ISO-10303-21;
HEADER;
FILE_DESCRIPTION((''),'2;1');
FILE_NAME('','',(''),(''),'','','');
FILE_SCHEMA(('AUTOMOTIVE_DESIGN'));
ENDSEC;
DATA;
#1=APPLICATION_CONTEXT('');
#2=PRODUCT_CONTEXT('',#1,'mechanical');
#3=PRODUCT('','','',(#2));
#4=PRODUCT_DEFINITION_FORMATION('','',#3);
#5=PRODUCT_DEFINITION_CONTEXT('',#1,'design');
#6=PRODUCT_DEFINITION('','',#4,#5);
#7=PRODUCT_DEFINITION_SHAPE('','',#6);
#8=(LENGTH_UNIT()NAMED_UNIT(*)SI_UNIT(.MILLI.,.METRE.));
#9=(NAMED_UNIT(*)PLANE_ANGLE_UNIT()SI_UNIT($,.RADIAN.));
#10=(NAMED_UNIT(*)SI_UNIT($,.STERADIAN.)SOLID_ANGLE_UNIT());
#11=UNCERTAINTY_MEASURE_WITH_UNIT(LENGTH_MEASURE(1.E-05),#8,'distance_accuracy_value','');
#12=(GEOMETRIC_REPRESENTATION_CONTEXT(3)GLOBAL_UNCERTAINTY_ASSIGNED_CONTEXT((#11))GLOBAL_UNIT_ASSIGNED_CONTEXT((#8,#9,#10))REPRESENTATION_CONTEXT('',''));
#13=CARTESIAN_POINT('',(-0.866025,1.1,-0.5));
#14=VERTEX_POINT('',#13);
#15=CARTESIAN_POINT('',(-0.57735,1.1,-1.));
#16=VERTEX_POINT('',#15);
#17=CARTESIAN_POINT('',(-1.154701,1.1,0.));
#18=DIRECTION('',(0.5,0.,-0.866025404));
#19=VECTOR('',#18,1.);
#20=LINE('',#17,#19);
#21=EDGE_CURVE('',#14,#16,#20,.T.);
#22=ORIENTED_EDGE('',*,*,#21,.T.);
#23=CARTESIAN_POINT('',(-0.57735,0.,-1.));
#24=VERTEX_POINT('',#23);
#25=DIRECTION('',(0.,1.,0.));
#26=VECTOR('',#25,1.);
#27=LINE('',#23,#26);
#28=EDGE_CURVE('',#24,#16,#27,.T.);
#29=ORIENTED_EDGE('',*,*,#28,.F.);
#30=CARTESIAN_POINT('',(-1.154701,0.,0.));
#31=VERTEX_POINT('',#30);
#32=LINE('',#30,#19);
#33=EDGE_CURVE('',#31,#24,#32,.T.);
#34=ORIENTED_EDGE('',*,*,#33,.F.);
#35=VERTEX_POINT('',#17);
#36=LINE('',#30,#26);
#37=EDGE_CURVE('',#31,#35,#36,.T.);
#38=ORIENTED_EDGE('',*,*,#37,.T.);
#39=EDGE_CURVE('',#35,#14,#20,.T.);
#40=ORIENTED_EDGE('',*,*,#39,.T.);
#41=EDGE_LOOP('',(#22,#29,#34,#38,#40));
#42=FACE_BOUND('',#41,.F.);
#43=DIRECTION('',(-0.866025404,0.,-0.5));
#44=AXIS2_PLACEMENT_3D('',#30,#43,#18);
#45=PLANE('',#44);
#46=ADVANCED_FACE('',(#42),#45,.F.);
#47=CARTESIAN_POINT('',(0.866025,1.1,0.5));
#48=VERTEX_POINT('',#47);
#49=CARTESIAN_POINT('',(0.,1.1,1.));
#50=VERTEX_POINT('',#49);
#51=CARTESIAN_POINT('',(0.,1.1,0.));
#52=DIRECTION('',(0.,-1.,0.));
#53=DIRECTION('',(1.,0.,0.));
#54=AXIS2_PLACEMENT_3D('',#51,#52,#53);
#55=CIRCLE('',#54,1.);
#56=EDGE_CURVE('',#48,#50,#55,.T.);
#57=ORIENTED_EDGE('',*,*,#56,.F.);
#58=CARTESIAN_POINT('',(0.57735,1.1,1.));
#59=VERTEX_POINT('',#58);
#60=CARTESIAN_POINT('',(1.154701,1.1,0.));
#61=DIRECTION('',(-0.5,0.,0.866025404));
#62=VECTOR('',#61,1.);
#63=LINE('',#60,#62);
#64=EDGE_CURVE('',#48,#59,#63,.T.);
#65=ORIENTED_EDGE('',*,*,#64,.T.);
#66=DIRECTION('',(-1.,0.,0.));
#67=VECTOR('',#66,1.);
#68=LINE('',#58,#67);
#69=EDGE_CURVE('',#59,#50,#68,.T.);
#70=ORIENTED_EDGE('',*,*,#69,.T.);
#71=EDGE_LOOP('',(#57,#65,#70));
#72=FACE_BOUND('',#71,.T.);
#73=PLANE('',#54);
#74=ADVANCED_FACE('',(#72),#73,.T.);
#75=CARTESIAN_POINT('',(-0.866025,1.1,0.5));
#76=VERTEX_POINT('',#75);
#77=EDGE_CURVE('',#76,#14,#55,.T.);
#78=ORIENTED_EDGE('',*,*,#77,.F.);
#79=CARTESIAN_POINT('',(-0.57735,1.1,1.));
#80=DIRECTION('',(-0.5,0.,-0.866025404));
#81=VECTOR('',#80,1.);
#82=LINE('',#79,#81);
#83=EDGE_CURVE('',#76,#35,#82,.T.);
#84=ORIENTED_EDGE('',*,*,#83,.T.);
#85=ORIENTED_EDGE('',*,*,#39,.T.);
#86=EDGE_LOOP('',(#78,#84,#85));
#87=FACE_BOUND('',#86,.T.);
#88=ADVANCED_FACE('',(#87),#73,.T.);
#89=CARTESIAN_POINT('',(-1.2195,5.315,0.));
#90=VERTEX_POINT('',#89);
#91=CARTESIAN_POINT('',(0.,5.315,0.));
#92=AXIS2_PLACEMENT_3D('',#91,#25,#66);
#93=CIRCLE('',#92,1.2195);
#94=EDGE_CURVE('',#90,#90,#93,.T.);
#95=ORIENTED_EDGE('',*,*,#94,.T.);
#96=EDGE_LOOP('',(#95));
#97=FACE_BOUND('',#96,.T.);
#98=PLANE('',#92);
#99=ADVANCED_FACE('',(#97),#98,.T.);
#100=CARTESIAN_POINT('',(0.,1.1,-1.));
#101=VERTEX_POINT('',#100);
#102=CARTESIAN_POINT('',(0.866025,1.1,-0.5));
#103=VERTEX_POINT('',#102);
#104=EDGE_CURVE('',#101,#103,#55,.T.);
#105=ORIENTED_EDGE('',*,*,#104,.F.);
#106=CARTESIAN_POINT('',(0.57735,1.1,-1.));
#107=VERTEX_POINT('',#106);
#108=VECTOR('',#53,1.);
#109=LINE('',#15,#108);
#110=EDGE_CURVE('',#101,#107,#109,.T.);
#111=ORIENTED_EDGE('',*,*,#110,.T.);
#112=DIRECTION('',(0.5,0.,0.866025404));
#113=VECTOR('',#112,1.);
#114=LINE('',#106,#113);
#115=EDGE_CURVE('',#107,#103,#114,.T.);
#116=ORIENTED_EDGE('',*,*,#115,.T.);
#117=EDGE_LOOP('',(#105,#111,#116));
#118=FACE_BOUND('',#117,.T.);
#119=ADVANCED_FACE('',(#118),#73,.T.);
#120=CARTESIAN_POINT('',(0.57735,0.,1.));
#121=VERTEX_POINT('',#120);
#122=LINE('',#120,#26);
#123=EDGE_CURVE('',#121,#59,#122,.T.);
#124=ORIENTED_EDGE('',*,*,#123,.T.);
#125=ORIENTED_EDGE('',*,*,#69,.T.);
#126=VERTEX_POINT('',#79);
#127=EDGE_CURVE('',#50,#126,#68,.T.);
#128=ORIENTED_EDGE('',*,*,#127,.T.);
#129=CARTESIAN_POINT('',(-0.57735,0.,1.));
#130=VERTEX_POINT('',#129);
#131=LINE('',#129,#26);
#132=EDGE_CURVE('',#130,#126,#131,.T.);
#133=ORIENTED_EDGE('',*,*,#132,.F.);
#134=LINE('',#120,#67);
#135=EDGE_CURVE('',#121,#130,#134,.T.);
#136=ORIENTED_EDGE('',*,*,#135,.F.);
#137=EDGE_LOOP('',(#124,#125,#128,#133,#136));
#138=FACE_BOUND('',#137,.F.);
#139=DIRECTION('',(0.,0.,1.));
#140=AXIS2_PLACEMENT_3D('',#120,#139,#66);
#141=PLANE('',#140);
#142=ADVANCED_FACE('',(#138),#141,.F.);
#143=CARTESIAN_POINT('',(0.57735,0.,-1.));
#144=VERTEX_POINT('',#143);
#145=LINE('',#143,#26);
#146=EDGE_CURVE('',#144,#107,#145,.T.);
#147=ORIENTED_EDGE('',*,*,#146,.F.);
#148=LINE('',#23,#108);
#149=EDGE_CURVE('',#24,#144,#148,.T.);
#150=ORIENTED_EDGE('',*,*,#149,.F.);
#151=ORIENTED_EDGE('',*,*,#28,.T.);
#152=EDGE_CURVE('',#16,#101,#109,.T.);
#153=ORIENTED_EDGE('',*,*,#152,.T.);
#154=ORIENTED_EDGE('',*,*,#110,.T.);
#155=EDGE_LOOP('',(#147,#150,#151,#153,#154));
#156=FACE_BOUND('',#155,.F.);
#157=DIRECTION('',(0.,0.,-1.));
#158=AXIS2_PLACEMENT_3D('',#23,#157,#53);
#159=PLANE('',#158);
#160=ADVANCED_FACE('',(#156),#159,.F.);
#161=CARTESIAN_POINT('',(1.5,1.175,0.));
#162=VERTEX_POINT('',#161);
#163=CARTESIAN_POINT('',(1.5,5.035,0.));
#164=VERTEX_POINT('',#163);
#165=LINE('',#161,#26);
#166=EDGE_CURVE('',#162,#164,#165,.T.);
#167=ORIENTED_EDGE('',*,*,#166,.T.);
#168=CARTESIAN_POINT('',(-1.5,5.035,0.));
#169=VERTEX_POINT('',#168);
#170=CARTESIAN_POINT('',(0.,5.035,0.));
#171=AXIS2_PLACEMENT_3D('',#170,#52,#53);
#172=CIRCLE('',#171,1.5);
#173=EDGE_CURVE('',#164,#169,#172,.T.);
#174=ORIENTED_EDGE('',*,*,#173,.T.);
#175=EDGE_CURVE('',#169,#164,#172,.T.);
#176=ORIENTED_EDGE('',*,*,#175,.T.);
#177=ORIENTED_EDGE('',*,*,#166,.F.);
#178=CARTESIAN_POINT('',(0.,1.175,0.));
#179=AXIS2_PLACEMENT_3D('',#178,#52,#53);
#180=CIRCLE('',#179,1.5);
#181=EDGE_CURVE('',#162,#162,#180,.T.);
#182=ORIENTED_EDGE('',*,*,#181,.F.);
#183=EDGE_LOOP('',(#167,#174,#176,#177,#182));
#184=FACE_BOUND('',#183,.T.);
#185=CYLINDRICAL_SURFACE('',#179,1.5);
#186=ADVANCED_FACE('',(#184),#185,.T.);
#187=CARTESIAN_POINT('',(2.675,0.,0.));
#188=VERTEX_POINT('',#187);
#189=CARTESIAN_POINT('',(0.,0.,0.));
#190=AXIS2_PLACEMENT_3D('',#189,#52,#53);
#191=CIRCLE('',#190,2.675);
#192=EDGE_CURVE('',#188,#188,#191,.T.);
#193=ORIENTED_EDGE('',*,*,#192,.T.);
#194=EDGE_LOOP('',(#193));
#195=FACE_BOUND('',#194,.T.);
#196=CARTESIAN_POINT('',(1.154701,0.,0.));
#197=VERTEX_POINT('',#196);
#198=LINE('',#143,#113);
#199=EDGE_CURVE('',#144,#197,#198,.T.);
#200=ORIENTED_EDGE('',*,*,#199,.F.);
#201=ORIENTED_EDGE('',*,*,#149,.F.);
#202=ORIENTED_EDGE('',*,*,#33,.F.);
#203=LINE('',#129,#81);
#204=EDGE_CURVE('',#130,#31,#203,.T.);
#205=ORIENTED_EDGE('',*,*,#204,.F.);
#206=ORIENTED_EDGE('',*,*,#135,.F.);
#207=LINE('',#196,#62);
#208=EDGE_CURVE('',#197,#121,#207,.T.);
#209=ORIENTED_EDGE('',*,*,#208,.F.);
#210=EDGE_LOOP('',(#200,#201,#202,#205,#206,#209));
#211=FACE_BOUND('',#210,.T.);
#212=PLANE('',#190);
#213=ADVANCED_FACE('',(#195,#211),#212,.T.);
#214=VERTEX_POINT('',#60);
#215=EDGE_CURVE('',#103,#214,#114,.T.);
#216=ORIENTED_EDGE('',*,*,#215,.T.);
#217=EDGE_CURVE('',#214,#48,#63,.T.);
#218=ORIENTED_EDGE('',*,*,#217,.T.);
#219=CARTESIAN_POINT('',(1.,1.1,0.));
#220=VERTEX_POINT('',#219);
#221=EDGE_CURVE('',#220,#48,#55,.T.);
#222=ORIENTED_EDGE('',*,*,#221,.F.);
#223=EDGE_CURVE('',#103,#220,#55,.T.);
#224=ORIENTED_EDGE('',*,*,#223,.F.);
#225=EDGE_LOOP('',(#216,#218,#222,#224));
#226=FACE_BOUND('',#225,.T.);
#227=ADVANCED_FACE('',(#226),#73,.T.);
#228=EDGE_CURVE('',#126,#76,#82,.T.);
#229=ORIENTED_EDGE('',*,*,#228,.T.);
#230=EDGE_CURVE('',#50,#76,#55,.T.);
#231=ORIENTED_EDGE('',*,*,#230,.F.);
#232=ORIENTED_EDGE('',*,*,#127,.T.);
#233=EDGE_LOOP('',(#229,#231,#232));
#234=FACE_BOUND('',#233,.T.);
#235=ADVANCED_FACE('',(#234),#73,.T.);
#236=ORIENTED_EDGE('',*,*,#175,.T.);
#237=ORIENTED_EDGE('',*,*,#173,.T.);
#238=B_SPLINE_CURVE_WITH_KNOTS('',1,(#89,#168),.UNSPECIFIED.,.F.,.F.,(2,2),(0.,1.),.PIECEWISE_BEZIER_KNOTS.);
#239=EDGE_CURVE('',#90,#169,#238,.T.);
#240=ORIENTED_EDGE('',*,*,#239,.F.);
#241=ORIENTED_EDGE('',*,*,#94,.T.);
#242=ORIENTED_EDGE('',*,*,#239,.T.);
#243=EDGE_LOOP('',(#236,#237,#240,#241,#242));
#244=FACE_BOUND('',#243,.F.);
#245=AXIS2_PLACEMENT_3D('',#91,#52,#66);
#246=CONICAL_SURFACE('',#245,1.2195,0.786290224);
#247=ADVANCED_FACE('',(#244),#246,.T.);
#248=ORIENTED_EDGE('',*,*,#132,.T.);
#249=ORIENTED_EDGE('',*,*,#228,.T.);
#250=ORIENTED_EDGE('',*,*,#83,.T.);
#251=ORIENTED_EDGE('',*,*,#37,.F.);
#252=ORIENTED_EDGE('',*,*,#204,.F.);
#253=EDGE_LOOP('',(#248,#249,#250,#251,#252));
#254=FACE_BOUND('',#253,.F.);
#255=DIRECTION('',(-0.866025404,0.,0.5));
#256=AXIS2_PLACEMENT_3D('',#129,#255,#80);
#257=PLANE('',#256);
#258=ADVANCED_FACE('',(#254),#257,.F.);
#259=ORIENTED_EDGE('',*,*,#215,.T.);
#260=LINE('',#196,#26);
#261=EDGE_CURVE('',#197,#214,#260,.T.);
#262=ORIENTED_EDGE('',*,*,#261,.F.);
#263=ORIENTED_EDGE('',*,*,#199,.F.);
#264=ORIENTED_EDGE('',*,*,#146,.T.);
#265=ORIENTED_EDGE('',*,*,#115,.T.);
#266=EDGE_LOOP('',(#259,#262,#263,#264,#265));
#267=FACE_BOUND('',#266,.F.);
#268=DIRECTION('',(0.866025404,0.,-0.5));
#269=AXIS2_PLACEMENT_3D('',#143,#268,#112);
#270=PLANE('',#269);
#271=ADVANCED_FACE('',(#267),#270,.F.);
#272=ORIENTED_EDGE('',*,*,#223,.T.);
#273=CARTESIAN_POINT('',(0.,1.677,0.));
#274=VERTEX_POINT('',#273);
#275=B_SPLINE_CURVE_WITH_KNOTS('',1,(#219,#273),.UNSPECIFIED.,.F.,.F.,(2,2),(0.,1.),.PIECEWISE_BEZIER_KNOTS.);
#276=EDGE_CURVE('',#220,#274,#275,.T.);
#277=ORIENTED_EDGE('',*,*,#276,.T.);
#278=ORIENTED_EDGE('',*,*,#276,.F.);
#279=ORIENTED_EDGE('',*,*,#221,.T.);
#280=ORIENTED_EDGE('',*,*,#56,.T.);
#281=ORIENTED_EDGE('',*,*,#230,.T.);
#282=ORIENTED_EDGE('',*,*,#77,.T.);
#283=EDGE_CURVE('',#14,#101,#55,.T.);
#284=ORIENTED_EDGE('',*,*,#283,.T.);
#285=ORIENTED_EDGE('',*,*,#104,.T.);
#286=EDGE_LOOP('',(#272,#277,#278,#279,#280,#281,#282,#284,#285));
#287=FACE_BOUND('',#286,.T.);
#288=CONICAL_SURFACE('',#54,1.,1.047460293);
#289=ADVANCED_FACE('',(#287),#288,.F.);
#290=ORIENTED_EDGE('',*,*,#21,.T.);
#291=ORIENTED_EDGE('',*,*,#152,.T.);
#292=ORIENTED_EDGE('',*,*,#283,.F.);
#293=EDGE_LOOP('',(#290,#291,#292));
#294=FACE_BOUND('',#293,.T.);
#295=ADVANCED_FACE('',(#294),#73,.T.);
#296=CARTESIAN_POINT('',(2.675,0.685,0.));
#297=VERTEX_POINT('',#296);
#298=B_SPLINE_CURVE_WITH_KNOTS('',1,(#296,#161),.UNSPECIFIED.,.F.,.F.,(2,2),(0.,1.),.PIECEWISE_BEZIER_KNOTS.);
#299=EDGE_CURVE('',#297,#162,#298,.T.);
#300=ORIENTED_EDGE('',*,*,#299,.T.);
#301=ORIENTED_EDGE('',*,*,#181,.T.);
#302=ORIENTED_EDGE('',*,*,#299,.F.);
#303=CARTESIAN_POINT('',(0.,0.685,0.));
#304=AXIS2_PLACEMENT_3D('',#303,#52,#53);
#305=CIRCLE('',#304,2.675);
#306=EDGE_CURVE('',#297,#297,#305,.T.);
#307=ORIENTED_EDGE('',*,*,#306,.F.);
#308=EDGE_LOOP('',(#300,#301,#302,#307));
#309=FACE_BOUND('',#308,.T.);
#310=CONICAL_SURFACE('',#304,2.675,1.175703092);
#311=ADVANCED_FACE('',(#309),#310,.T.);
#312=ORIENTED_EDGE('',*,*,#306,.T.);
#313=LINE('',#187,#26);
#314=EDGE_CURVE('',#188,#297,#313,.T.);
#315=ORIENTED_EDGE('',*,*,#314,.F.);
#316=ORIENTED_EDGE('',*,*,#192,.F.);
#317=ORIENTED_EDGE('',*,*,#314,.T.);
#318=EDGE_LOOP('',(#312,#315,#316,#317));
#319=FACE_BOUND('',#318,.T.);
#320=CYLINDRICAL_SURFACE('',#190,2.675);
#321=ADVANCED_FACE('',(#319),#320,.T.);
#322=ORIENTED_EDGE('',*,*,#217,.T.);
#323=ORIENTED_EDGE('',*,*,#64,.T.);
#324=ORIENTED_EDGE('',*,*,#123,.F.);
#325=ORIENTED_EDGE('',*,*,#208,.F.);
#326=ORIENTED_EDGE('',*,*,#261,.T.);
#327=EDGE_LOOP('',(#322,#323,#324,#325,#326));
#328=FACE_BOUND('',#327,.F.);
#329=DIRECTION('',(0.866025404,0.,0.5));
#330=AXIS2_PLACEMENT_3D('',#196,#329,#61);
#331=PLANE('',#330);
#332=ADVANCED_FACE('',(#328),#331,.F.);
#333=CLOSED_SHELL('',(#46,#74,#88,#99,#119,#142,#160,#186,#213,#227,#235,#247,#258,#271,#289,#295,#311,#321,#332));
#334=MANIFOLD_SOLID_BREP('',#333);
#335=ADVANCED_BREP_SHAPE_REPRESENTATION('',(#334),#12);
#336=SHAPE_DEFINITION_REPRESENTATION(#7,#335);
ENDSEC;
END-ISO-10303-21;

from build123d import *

# Parameters (mm, degrees)
F0_R      = 2.675
F1_DEPTH  = 0.685
F1_FACE_R = 2.675
F3_R      = 1.5
F5_DEPTH  = 3.86
F7_R      = 1.2195
F5_FACE_R = 1.5
F9_DEPTH  = 1.1
F11_R     = 1


with BuildPart() as f1:
    # F0 (on Front) → F1 (new body)
    with BuildSketch(Plane.XZ):
        Circle(F0_R)
        Polygon((-1.1547005384, 0), (-0.5773502692, 1), (0.5773502692, 1), (1.1547005384, 0), (0.5773502692, -1), (-0.5773502692, -1), align=None, mode=Mode.SUBTRACT)
        Polygon((0.5773502692, 1), (-0.5773502692, 1), (-1.1547005384, 0), (-0.5773502692, -1), (0.5773502692, -1), (1.1547005384, 0), align=None)
    extrude(amount=-F1_DEPTH)

    # F1_face (on face) → F4 section 0
    with BuildSketch(Plane(origin=(0, 0.685, 0), x_dir=(1, 0, 0), z_dir=(0, 1, 0))):
        Circle(F1_FACE_R)
    # F3 (on offset) → F4 section 1
    with BuildSketch(Plane.XZ.offset(-1.175)):
        Circle(F3_R)
    loft()

    # F5 (add): a face of the model
    f5_faces = [f1.faces().sort_by_distance(p)[0] for p in [
        (0, 1.175, 0),
    ]]
    extrude(f5_faces, amount=F5_DEPTH)

    # F7 (on offset) → F8 section 0
    with BuildSketch(Plane(origin=(0, 5.315, 0), x_dir=(-1, 0, 0), z_dir=(0, 1, 0))):
        Circle(F7_R)
    # F5_face (on face) → F8 section 1
    with BuildSketch(Plane(origin=(0, 5.035, 0), x_dir=(-1, 0, 0), z_dir=(0, 1, 0))):
        Circle(F5_FACE_R)
    loft()

    # F0 (on Front) → F9 (cut)
    with BuildSketch(Plane.XZ):
        Polygon((0.5773502692, 1), (-0.5773502692, 1), (-1.1547005384, 0), (-0.5773502692, -1), (0.5773502692, -1), (1.1547005384, 0), align=None)
    extrude(amount=-F9_DEPTH, mode=Mode.SUBTRACT)

    # F11 (on offset) → F14 section 0
    with BuildSketch(Plane.XZ.offset(-1.1), mode=Mode.PRIVATE) as f14_s0:
        Circle(F11_R)
    loft([f14_s0.sketch, Vertex(0, 1.677, 0)], mode=Mode.SUBTRACT)


solid = f1.part
